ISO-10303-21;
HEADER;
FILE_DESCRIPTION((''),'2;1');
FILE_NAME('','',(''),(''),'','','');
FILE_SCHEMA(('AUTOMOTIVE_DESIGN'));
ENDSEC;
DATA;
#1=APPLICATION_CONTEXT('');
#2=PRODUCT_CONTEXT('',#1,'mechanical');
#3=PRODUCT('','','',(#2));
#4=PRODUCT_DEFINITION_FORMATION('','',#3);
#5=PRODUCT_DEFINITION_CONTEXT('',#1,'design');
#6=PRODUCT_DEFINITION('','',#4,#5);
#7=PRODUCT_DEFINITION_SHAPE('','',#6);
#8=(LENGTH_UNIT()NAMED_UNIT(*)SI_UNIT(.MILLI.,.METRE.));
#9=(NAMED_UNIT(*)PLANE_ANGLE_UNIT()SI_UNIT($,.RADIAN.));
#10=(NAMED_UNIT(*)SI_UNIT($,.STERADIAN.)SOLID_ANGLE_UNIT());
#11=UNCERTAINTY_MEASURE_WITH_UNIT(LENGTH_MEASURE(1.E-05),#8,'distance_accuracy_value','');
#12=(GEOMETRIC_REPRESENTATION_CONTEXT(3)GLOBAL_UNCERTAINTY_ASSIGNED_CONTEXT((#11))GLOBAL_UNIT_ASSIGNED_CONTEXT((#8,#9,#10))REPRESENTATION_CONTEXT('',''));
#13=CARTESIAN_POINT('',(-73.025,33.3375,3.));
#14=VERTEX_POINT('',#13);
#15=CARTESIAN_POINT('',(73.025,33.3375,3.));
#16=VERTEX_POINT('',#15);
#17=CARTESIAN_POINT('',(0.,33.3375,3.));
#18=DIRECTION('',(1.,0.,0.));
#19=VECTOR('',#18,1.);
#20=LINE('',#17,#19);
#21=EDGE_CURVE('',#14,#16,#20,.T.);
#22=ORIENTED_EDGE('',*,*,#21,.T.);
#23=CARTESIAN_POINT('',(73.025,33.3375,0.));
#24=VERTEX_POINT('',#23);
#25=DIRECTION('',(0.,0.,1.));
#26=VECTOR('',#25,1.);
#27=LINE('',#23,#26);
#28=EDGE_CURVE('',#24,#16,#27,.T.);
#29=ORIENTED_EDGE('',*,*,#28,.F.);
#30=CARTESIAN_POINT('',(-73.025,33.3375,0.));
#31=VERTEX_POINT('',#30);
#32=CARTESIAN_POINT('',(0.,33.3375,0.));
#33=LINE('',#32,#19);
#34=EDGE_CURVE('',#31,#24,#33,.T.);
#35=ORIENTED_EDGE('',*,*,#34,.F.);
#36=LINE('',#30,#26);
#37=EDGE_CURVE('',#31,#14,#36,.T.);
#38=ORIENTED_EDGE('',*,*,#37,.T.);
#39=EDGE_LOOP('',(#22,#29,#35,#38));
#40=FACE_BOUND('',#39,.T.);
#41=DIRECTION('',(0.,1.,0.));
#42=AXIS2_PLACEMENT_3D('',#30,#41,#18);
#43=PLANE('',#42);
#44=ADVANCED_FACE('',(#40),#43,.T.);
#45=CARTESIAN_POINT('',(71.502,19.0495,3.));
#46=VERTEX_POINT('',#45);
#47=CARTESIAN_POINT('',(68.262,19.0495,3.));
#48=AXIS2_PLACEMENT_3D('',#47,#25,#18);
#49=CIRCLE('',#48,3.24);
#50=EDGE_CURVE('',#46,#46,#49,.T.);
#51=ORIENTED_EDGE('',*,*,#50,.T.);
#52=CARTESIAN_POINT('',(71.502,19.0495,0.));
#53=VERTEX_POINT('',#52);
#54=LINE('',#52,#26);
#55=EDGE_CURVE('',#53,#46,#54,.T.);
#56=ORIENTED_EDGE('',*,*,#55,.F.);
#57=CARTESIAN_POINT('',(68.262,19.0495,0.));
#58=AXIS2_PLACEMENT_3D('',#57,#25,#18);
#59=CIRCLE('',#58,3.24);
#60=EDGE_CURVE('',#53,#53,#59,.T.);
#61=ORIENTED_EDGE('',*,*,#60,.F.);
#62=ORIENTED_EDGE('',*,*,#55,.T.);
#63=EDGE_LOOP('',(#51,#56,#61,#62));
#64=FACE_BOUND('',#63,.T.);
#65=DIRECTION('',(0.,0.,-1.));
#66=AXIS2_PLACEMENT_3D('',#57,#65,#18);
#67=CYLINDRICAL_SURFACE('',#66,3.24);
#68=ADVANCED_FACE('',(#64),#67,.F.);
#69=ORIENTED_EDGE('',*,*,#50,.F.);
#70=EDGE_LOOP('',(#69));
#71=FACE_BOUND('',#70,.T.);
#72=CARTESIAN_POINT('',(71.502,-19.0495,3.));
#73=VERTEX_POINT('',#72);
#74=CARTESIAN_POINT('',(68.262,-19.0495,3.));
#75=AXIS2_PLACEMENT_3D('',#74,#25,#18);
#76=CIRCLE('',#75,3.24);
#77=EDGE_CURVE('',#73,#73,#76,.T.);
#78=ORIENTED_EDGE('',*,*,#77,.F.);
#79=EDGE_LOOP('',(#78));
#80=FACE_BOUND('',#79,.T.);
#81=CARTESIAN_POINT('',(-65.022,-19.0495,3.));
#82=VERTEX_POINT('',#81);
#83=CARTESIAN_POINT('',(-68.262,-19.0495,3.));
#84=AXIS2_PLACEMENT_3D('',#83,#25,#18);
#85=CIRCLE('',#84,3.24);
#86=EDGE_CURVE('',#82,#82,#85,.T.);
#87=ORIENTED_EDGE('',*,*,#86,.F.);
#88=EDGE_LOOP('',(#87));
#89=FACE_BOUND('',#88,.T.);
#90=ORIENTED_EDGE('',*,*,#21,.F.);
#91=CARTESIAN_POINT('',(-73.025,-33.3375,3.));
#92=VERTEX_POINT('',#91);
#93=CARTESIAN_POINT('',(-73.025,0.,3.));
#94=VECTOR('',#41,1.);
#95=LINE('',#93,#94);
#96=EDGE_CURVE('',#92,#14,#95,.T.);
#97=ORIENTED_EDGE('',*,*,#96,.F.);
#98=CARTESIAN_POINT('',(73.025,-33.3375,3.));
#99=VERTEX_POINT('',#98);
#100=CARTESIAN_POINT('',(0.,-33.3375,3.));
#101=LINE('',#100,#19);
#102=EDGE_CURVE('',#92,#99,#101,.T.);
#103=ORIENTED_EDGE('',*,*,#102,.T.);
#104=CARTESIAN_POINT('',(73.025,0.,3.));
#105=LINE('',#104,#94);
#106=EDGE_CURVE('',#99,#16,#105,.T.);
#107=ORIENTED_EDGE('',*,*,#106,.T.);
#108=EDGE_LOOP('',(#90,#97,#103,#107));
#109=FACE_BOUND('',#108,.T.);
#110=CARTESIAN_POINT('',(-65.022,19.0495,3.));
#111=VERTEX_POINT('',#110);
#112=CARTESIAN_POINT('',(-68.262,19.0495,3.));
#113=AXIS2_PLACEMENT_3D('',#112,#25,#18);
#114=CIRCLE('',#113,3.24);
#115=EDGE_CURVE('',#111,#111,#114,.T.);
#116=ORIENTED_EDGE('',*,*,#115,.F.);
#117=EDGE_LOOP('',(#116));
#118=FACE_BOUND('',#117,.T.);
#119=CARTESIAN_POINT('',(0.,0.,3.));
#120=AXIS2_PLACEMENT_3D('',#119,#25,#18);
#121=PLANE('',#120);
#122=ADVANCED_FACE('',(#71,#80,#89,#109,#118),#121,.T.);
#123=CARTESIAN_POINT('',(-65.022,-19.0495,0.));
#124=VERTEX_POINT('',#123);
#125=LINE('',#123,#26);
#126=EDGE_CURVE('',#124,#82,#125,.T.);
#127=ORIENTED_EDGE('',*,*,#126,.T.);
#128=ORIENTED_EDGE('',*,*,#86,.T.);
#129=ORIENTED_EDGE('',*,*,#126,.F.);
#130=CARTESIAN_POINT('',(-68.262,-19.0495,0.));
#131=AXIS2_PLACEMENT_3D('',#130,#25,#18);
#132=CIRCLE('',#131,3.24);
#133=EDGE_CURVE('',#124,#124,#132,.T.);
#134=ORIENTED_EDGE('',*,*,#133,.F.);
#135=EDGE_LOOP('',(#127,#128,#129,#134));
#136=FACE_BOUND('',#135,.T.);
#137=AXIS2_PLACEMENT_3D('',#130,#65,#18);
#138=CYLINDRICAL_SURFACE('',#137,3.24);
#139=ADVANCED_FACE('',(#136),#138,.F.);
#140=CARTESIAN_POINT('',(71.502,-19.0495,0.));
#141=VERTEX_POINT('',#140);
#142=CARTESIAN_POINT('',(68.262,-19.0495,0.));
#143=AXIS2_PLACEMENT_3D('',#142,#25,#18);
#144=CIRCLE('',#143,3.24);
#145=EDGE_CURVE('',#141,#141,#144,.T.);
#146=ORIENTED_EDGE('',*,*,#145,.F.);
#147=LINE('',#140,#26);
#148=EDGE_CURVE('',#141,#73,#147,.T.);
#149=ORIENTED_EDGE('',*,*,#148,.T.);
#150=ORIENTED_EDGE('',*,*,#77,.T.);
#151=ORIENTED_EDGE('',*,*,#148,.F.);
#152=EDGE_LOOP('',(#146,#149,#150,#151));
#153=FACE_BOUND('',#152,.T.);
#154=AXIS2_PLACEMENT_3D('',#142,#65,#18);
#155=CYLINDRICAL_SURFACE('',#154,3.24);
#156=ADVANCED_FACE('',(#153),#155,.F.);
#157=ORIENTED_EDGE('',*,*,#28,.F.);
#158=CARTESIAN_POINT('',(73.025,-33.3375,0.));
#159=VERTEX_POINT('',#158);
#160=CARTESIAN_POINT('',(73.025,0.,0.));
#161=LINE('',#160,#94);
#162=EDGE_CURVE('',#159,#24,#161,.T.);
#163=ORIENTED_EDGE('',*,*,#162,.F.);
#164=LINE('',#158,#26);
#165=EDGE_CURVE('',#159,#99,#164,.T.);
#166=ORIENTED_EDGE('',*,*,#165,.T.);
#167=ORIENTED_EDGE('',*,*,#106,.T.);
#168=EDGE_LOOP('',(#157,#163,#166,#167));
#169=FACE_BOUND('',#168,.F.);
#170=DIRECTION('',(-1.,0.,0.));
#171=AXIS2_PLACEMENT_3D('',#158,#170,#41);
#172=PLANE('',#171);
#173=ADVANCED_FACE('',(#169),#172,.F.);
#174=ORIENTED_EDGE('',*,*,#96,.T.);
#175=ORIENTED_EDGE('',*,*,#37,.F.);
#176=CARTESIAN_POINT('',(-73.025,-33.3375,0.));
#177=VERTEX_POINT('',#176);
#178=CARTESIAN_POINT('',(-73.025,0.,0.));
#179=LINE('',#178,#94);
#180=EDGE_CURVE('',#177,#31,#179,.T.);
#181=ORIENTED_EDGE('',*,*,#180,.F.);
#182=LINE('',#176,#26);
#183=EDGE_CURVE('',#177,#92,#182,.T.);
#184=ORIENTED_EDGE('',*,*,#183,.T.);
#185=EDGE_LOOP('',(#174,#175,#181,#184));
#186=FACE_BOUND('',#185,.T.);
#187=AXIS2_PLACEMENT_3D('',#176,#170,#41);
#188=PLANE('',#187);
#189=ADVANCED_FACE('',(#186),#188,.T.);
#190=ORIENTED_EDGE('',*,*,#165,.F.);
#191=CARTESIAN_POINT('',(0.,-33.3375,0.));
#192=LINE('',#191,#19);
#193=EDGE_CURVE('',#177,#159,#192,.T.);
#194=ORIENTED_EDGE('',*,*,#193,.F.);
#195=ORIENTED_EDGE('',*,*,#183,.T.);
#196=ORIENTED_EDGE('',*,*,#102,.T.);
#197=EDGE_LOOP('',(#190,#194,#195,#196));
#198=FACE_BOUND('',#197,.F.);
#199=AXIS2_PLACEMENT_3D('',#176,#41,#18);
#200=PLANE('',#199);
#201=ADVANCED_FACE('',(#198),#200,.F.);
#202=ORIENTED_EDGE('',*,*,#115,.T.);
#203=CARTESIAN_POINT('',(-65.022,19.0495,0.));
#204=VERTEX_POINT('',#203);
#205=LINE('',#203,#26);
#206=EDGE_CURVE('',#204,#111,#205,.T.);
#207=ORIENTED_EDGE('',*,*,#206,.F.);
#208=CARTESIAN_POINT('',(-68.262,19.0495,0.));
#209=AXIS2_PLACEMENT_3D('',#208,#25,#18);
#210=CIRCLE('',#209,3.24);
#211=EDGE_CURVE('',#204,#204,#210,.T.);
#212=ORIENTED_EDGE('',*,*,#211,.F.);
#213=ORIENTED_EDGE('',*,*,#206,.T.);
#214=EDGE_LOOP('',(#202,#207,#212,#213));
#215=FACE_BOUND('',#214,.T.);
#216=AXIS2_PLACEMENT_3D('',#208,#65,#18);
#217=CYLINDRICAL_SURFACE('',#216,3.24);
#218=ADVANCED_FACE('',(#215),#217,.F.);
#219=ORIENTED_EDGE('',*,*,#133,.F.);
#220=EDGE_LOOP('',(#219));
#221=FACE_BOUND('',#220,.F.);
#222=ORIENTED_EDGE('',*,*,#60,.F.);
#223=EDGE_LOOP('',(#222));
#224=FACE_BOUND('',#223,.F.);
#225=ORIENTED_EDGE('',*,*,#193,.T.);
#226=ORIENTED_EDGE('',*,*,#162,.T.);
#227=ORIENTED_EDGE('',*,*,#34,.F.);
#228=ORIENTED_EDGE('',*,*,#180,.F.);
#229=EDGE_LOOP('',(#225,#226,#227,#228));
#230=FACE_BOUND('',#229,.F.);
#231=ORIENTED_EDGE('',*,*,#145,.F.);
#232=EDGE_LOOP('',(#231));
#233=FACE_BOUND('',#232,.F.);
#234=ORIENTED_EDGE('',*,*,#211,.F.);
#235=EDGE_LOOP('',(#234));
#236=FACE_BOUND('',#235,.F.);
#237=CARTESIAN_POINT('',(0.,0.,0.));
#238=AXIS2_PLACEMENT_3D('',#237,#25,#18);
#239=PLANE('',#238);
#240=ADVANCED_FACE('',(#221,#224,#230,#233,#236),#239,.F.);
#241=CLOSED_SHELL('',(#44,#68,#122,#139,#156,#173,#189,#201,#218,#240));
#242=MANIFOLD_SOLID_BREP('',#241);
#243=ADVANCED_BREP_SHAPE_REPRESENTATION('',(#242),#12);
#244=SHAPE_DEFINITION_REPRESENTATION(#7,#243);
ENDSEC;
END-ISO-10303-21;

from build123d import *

# Parameters (mm, degrees)
F0_W     = 146.05
F0_H     = 66.675
F0_R     = 3.24
F1_DEPTH = 3


with BuildPart() as f1:
    # F0 (on Top) → F1 (new body)
    with BuildSketch(Plane.XY):
        Rectangle(F0_W, F0_H)
        with Locations((-68.262, -19.0495)):
            Circle(F0_R, mode=Mode.SUBTRACT)
        with Locations((68.262, -19.0495)):
            Circle(F0_R, mode=Mode.SUBTRACT)
        with Locations((-68.262, 19.0495)):
            Circle(F0_R, mode=Mode.SUBTRACT)
        with BuildLine():
            Line((-72.225, 12.6995), (-68.262, 12.6995))
            ThreePointArc((-68.262, 12.6995), (-61.912, 19.0495), (-68.262, 25.3995))
            Line((-68.262, 25.3995), (-72.225, 25.3995))
            Line((-72.225, 25.3995), (-72.225, 32.5375))
            Line((-72.225, 32.5375), (72.225, 32.5375))
            Line((72.225, 32.5375), (72.225, 25.3995))
            Line((72.225, 25.3995), (68.262, 25.3995))
            ThreePointArc((68.262, 25.3995), (61.912, 19.0495), (68.262, 12.6995))
            Line((68.262, 12.6995), (72.225, 12.6995))
            Line((72.225, 12.6995), (72.225, -12.6995))
            Line((72.225, -12.6995), (68.262, -12.6995))
            ThreePointArc((68.262, -12.6995), (61.912, -19.0495), (68.262, -25.3995))
            Line((68.262, -25.3995), (72.225, -25.3995))
            Line((72.225, -25.3995), (72.225, -32.5375))
            Line((72.225, -32.5375), (-72.225, -32.5375))
            Line((-72.225, -32.5375), (-72.225, -25.3995))
            Line((-72.225, -25.3995), (-68.262, -25.3995))
            ThreePointArc((-68.262, -25.3995), (-61.912, -19.0495), (-68.262, -12.6995))
            Line((-68.262, -12.6995), (-72.225, -12.6995))
            Line((-72.225, -12.6995), (-72.225, 12.6995))
        make_face(mode=Mode.SUBTRACT)
        with Locations((68.262, 19.0495)):
            Circle(F0_R, mode=Mode.SUBTRACT)
        with BuildLine():
            ThreePointArc((-68.262, 25.3995), (-61.912, 19.0495), (-68.262, 12.6995))
            Line((-68.262, 12.6995), (-72.225, 12.6995))
            Line((-72.225, 12.6995), (-72.225, -12.6995))
            Line((-72.225, -12.6995), (-68.262, -12.6995))
            ThreePointArc((-68.262, -12.6995), (-61.912, -19.0495), (-68.262, -25.3995))
            Line((-68.262, -25.3995), (-72.225, -25.3995))
            Line((-72.225, -25.3995), (-72.225, -32.5375))
            Line((-72.225, -32.5375), (72.225, -32.5375))
            Line((72.225, -32.5375), (72.225, -25.3995))
            Line((72.225, -25.3995), (68.262, -25.3995))
            ThreePointArc((68.262, -25.3995), (61.912, -19.0495), (68.262, -12.6995))
            Line((68.262, -12.6995), (72.225, -12.6995))
            Line((72.225, -12.6995), (72.225, 12.6995))
            Line((72.225, 12.6995), (68.262, 12.6995))
            ThreePointArc((68.262, 12.6995), (61.912, 19.0495), (68.262, 25.3995))
            Line((68.262, 25.3995), (72.225, 25.3995))
            Line((72.225, 25.3995), (72.225, 32.5375))
            Line((72.225, 32.5375), (-72.225, 32.5375))
            Line((-72.225, 32.5375), (-72.225, 25.3995))
            Line((-72.225, 25.3995), (-68.262, 25.3995))
        make_face()
    extrude(amount=F1_DEPTH)


solid = f1.part
